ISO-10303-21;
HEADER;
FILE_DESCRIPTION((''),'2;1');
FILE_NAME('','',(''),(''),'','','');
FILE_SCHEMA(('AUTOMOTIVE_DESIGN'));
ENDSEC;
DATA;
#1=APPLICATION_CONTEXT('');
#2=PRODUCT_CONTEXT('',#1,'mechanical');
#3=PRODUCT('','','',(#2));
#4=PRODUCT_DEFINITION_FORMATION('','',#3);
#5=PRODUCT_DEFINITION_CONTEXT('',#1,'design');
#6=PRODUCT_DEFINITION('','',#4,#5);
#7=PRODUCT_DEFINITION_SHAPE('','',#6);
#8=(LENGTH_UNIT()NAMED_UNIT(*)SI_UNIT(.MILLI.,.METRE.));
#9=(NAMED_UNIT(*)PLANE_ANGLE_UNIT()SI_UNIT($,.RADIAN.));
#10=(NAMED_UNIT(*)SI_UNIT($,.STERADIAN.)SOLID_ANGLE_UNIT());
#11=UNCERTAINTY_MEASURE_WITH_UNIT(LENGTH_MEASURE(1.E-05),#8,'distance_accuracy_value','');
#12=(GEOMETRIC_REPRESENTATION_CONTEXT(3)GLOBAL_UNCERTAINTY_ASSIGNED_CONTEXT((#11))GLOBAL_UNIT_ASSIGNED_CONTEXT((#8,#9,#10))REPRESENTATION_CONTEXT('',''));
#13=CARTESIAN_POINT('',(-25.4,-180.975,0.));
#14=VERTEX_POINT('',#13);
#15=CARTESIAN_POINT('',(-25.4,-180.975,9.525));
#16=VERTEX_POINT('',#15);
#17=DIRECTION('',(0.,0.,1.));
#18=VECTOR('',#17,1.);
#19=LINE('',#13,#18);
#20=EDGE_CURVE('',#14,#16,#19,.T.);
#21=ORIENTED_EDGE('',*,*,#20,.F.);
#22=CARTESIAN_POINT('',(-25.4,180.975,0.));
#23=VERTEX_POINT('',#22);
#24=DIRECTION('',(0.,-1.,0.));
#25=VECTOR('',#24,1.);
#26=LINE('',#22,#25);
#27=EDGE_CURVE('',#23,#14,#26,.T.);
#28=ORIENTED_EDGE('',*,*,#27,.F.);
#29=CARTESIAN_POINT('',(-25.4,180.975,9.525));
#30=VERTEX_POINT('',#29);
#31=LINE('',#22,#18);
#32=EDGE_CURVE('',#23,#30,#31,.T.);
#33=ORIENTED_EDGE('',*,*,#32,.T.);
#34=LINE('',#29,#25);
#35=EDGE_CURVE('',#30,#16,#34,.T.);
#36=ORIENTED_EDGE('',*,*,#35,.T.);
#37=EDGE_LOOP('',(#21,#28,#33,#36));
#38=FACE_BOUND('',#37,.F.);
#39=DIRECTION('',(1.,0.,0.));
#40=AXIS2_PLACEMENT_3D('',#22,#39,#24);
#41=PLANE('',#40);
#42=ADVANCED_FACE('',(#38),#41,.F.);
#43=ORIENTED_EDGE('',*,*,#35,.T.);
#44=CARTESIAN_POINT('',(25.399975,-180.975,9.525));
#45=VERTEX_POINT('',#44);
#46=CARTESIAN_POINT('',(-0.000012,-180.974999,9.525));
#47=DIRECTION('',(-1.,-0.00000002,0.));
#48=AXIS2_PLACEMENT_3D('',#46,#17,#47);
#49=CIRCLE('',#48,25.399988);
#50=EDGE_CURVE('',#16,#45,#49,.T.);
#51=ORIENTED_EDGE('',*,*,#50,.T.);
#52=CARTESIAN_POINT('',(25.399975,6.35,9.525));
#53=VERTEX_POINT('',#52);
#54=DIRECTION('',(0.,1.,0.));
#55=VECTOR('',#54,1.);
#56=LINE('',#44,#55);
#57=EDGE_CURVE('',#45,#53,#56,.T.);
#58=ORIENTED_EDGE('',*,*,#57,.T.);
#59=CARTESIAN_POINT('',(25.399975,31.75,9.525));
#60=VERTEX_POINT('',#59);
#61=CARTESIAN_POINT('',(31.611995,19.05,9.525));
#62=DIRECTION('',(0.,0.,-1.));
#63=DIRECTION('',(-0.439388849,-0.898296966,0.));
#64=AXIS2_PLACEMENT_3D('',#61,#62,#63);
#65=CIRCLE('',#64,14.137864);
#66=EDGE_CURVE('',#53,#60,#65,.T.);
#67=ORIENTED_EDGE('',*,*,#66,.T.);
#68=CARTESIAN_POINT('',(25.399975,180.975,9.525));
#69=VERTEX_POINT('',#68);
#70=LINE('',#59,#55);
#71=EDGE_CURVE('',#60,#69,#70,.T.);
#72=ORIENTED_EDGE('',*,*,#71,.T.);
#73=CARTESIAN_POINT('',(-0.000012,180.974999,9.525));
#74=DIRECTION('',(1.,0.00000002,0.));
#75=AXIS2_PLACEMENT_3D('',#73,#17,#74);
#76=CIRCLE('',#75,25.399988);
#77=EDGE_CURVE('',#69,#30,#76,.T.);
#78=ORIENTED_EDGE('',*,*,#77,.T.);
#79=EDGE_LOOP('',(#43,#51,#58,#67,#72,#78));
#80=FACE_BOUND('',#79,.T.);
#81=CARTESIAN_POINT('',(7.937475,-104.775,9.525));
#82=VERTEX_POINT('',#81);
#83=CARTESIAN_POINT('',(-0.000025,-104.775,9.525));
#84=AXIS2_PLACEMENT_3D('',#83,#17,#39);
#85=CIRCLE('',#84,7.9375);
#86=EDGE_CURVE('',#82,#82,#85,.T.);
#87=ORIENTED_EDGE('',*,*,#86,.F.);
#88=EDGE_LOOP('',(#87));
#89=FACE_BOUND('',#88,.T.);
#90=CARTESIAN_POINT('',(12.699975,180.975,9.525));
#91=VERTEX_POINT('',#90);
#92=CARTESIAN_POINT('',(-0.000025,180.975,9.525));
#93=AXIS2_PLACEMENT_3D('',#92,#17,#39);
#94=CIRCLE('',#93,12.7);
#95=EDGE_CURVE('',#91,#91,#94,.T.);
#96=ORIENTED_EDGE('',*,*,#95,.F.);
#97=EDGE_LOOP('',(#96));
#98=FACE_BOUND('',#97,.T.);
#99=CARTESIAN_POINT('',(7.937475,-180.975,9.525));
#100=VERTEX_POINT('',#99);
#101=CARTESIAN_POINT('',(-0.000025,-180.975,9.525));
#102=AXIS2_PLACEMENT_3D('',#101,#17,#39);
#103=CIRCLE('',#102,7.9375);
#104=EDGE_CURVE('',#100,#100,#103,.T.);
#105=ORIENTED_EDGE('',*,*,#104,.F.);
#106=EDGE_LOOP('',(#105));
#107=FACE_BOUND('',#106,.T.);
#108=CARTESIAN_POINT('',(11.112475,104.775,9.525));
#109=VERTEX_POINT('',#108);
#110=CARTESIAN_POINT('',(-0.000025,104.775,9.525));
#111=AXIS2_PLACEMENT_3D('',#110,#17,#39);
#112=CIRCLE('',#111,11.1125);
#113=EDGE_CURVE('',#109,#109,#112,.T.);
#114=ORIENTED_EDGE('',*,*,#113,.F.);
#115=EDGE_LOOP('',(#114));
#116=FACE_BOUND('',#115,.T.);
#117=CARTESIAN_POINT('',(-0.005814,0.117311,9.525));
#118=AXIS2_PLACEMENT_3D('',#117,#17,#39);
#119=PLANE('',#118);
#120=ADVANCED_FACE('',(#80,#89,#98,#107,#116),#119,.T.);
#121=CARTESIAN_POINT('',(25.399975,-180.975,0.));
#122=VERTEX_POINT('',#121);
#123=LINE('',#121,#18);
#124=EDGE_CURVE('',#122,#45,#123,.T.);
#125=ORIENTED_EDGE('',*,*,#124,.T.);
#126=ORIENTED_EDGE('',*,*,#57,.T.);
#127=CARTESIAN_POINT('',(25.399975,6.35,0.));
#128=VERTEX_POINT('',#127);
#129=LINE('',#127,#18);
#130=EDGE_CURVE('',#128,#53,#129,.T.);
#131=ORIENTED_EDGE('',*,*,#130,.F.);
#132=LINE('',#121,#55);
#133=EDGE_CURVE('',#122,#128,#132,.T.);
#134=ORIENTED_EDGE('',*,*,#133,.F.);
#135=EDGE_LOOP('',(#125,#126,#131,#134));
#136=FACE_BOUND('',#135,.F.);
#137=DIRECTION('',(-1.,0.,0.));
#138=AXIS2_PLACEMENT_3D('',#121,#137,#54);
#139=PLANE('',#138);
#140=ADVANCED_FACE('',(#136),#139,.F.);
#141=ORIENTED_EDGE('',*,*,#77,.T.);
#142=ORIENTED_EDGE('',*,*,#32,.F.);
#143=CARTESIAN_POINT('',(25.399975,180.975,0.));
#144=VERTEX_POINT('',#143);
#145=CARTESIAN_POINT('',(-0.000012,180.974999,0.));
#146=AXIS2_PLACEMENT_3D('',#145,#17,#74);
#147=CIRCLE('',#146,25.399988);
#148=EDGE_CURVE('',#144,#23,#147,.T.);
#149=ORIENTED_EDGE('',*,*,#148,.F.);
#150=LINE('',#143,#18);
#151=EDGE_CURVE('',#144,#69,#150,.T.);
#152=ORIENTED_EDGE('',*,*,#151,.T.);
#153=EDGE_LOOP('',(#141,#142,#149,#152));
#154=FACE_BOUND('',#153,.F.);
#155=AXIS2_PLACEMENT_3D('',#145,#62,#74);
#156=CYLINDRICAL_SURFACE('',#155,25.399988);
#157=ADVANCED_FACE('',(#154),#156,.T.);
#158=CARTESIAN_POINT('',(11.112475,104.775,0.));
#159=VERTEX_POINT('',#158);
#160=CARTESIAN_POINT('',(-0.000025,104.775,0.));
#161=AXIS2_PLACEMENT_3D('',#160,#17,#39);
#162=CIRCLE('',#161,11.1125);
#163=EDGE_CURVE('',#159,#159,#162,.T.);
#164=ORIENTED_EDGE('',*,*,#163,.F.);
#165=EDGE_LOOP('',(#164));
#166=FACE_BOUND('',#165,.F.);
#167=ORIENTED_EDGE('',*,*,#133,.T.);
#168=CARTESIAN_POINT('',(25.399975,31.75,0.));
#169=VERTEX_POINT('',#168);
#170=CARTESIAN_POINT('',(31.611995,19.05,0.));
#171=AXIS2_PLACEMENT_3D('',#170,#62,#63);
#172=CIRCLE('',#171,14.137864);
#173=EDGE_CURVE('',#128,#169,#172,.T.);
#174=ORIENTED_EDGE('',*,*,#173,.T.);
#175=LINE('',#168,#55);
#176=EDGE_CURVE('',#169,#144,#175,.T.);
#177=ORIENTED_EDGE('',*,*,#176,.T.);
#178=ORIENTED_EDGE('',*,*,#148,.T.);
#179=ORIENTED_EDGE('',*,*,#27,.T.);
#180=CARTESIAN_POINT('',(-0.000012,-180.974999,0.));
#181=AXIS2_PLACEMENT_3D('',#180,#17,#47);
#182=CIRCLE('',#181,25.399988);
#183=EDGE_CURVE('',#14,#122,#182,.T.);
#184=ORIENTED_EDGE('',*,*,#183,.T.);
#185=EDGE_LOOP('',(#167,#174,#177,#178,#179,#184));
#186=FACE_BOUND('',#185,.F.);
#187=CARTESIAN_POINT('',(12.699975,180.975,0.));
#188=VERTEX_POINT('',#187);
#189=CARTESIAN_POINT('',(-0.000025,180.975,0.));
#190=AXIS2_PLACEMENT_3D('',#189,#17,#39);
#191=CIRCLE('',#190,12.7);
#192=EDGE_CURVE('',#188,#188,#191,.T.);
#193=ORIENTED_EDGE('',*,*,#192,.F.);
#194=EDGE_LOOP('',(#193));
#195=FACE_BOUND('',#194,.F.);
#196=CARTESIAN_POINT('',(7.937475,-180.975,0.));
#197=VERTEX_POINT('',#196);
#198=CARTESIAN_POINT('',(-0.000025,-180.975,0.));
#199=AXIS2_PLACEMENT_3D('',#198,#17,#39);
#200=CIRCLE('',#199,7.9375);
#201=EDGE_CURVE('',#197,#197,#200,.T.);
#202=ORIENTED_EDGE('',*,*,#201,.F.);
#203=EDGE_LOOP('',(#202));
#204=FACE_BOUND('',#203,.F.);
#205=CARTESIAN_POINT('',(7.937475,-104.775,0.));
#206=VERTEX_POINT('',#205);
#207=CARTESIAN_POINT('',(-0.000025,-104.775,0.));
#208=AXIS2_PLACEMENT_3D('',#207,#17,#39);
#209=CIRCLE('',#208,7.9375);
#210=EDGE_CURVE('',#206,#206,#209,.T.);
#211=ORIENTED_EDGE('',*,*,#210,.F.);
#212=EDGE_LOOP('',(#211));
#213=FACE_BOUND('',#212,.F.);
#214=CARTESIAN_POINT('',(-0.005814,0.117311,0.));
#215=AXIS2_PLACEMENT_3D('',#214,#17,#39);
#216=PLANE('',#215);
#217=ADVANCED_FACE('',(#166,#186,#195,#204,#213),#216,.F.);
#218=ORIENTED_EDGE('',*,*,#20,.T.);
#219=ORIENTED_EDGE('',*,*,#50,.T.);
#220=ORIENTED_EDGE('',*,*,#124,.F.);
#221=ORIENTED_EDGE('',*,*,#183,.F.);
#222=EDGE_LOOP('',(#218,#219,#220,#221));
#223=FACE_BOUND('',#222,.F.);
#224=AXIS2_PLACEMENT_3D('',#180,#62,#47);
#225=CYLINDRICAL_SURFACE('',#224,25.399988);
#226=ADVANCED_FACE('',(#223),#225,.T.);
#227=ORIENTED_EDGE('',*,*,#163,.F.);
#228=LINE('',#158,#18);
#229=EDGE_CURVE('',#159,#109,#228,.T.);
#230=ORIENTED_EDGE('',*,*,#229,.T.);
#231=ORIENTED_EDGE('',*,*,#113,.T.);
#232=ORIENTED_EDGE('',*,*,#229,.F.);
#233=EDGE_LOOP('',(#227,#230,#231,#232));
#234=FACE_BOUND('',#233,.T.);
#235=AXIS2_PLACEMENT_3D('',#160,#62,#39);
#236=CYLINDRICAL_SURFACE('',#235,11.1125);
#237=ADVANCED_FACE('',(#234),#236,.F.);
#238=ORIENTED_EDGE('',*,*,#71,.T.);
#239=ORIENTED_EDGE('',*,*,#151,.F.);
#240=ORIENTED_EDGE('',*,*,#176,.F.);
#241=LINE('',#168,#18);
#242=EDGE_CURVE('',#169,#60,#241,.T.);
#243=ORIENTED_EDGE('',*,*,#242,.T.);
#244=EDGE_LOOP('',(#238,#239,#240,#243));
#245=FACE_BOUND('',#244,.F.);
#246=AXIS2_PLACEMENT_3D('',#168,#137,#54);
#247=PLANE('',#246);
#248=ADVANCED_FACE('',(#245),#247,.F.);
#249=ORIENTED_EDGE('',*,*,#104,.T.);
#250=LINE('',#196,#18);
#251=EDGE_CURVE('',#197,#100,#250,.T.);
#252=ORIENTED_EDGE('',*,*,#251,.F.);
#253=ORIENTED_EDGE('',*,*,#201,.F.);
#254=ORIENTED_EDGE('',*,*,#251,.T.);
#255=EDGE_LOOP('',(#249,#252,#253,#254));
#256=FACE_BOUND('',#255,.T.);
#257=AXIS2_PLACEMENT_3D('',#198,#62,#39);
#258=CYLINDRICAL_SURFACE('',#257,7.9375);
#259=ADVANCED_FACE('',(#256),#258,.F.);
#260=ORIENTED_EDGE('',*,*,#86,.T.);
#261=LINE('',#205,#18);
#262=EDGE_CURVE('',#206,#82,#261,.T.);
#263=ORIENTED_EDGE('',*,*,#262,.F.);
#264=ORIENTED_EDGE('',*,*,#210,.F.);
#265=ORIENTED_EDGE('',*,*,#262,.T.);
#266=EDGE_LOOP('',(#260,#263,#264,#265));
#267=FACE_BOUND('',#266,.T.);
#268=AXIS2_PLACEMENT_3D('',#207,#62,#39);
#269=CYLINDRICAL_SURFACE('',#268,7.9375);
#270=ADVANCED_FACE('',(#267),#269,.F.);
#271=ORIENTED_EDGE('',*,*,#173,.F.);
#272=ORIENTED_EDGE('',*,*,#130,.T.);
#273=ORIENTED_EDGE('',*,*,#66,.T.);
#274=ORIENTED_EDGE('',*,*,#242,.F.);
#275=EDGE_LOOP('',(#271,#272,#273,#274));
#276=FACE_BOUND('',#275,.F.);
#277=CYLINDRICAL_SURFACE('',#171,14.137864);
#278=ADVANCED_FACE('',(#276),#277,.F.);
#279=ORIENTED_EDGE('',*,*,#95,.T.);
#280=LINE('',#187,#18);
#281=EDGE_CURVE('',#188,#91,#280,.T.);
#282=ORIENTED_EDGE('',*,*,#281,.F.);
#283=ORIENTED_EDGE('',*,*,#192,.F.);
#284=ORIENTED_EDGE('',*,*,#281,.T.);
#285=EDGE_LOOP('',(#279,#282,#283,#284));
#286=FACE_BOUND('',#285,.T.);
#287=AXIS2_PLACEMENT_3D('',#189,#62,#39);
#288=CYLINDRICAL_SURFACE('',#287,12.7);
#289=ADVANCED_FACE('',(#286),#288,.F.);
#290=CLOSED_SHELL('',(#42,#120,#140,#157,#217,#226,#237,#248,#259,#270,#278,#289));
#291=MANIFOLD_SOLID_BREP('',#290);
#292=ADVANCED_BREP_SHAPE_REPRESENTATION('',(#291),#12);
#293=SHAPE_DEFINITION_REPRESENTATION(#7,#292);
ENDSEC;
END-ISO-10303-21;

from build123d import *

# Parameters (mm, degrees)
F1_R     = 7.9375
F1_R_2   = 11.1125
F1_R_3   = 12.7
F2_DEPTH = 9.525


with BuildPart() as f2:
    # F1 (on Top) → F2 (new body)
    with BuildSketch(Plane.XY):
        with BuildLine():
            ThreePointArc((25.399975, 180.975), (-1.3e-05, 206.374987), (-25.4, 180.975))
            Line((-25.4, 180.975), (-25.4, -180.975))
            ThreePointArc((-25.4, -180.975), (-1.3e-05, -206.374987), (25.399975, -180.975))
            Line((25.399975, -180.975), (25.399975, 6.35))
            ThreePointArc((25.399975, 6.35), (17.474131, 19.05), (25.399975, 31.75))
            Line((25.399975, 31.75), (25.399975, 180.975))
        make_face()
        with Locations((-2.5e-05, -180.975)):
            Circle(F1_R, mode=Mode.SUBTRACT)
        with Locations((-2.5e-05, -104.775)):
            Circle(F1_R, mode=Mode.SUBTRACT)
        with Locations((-2.5e-05, 104.775)):
            Circle(F1_R_2, mode=Mode.SUBTRACT)
        with Locations((-2.5e-05, 180.975)):
            Circle(F1_R_3, mode=Mode.SUBTRACT)
    extrude(amount=F2_DEPTH)


solid = f2.part
